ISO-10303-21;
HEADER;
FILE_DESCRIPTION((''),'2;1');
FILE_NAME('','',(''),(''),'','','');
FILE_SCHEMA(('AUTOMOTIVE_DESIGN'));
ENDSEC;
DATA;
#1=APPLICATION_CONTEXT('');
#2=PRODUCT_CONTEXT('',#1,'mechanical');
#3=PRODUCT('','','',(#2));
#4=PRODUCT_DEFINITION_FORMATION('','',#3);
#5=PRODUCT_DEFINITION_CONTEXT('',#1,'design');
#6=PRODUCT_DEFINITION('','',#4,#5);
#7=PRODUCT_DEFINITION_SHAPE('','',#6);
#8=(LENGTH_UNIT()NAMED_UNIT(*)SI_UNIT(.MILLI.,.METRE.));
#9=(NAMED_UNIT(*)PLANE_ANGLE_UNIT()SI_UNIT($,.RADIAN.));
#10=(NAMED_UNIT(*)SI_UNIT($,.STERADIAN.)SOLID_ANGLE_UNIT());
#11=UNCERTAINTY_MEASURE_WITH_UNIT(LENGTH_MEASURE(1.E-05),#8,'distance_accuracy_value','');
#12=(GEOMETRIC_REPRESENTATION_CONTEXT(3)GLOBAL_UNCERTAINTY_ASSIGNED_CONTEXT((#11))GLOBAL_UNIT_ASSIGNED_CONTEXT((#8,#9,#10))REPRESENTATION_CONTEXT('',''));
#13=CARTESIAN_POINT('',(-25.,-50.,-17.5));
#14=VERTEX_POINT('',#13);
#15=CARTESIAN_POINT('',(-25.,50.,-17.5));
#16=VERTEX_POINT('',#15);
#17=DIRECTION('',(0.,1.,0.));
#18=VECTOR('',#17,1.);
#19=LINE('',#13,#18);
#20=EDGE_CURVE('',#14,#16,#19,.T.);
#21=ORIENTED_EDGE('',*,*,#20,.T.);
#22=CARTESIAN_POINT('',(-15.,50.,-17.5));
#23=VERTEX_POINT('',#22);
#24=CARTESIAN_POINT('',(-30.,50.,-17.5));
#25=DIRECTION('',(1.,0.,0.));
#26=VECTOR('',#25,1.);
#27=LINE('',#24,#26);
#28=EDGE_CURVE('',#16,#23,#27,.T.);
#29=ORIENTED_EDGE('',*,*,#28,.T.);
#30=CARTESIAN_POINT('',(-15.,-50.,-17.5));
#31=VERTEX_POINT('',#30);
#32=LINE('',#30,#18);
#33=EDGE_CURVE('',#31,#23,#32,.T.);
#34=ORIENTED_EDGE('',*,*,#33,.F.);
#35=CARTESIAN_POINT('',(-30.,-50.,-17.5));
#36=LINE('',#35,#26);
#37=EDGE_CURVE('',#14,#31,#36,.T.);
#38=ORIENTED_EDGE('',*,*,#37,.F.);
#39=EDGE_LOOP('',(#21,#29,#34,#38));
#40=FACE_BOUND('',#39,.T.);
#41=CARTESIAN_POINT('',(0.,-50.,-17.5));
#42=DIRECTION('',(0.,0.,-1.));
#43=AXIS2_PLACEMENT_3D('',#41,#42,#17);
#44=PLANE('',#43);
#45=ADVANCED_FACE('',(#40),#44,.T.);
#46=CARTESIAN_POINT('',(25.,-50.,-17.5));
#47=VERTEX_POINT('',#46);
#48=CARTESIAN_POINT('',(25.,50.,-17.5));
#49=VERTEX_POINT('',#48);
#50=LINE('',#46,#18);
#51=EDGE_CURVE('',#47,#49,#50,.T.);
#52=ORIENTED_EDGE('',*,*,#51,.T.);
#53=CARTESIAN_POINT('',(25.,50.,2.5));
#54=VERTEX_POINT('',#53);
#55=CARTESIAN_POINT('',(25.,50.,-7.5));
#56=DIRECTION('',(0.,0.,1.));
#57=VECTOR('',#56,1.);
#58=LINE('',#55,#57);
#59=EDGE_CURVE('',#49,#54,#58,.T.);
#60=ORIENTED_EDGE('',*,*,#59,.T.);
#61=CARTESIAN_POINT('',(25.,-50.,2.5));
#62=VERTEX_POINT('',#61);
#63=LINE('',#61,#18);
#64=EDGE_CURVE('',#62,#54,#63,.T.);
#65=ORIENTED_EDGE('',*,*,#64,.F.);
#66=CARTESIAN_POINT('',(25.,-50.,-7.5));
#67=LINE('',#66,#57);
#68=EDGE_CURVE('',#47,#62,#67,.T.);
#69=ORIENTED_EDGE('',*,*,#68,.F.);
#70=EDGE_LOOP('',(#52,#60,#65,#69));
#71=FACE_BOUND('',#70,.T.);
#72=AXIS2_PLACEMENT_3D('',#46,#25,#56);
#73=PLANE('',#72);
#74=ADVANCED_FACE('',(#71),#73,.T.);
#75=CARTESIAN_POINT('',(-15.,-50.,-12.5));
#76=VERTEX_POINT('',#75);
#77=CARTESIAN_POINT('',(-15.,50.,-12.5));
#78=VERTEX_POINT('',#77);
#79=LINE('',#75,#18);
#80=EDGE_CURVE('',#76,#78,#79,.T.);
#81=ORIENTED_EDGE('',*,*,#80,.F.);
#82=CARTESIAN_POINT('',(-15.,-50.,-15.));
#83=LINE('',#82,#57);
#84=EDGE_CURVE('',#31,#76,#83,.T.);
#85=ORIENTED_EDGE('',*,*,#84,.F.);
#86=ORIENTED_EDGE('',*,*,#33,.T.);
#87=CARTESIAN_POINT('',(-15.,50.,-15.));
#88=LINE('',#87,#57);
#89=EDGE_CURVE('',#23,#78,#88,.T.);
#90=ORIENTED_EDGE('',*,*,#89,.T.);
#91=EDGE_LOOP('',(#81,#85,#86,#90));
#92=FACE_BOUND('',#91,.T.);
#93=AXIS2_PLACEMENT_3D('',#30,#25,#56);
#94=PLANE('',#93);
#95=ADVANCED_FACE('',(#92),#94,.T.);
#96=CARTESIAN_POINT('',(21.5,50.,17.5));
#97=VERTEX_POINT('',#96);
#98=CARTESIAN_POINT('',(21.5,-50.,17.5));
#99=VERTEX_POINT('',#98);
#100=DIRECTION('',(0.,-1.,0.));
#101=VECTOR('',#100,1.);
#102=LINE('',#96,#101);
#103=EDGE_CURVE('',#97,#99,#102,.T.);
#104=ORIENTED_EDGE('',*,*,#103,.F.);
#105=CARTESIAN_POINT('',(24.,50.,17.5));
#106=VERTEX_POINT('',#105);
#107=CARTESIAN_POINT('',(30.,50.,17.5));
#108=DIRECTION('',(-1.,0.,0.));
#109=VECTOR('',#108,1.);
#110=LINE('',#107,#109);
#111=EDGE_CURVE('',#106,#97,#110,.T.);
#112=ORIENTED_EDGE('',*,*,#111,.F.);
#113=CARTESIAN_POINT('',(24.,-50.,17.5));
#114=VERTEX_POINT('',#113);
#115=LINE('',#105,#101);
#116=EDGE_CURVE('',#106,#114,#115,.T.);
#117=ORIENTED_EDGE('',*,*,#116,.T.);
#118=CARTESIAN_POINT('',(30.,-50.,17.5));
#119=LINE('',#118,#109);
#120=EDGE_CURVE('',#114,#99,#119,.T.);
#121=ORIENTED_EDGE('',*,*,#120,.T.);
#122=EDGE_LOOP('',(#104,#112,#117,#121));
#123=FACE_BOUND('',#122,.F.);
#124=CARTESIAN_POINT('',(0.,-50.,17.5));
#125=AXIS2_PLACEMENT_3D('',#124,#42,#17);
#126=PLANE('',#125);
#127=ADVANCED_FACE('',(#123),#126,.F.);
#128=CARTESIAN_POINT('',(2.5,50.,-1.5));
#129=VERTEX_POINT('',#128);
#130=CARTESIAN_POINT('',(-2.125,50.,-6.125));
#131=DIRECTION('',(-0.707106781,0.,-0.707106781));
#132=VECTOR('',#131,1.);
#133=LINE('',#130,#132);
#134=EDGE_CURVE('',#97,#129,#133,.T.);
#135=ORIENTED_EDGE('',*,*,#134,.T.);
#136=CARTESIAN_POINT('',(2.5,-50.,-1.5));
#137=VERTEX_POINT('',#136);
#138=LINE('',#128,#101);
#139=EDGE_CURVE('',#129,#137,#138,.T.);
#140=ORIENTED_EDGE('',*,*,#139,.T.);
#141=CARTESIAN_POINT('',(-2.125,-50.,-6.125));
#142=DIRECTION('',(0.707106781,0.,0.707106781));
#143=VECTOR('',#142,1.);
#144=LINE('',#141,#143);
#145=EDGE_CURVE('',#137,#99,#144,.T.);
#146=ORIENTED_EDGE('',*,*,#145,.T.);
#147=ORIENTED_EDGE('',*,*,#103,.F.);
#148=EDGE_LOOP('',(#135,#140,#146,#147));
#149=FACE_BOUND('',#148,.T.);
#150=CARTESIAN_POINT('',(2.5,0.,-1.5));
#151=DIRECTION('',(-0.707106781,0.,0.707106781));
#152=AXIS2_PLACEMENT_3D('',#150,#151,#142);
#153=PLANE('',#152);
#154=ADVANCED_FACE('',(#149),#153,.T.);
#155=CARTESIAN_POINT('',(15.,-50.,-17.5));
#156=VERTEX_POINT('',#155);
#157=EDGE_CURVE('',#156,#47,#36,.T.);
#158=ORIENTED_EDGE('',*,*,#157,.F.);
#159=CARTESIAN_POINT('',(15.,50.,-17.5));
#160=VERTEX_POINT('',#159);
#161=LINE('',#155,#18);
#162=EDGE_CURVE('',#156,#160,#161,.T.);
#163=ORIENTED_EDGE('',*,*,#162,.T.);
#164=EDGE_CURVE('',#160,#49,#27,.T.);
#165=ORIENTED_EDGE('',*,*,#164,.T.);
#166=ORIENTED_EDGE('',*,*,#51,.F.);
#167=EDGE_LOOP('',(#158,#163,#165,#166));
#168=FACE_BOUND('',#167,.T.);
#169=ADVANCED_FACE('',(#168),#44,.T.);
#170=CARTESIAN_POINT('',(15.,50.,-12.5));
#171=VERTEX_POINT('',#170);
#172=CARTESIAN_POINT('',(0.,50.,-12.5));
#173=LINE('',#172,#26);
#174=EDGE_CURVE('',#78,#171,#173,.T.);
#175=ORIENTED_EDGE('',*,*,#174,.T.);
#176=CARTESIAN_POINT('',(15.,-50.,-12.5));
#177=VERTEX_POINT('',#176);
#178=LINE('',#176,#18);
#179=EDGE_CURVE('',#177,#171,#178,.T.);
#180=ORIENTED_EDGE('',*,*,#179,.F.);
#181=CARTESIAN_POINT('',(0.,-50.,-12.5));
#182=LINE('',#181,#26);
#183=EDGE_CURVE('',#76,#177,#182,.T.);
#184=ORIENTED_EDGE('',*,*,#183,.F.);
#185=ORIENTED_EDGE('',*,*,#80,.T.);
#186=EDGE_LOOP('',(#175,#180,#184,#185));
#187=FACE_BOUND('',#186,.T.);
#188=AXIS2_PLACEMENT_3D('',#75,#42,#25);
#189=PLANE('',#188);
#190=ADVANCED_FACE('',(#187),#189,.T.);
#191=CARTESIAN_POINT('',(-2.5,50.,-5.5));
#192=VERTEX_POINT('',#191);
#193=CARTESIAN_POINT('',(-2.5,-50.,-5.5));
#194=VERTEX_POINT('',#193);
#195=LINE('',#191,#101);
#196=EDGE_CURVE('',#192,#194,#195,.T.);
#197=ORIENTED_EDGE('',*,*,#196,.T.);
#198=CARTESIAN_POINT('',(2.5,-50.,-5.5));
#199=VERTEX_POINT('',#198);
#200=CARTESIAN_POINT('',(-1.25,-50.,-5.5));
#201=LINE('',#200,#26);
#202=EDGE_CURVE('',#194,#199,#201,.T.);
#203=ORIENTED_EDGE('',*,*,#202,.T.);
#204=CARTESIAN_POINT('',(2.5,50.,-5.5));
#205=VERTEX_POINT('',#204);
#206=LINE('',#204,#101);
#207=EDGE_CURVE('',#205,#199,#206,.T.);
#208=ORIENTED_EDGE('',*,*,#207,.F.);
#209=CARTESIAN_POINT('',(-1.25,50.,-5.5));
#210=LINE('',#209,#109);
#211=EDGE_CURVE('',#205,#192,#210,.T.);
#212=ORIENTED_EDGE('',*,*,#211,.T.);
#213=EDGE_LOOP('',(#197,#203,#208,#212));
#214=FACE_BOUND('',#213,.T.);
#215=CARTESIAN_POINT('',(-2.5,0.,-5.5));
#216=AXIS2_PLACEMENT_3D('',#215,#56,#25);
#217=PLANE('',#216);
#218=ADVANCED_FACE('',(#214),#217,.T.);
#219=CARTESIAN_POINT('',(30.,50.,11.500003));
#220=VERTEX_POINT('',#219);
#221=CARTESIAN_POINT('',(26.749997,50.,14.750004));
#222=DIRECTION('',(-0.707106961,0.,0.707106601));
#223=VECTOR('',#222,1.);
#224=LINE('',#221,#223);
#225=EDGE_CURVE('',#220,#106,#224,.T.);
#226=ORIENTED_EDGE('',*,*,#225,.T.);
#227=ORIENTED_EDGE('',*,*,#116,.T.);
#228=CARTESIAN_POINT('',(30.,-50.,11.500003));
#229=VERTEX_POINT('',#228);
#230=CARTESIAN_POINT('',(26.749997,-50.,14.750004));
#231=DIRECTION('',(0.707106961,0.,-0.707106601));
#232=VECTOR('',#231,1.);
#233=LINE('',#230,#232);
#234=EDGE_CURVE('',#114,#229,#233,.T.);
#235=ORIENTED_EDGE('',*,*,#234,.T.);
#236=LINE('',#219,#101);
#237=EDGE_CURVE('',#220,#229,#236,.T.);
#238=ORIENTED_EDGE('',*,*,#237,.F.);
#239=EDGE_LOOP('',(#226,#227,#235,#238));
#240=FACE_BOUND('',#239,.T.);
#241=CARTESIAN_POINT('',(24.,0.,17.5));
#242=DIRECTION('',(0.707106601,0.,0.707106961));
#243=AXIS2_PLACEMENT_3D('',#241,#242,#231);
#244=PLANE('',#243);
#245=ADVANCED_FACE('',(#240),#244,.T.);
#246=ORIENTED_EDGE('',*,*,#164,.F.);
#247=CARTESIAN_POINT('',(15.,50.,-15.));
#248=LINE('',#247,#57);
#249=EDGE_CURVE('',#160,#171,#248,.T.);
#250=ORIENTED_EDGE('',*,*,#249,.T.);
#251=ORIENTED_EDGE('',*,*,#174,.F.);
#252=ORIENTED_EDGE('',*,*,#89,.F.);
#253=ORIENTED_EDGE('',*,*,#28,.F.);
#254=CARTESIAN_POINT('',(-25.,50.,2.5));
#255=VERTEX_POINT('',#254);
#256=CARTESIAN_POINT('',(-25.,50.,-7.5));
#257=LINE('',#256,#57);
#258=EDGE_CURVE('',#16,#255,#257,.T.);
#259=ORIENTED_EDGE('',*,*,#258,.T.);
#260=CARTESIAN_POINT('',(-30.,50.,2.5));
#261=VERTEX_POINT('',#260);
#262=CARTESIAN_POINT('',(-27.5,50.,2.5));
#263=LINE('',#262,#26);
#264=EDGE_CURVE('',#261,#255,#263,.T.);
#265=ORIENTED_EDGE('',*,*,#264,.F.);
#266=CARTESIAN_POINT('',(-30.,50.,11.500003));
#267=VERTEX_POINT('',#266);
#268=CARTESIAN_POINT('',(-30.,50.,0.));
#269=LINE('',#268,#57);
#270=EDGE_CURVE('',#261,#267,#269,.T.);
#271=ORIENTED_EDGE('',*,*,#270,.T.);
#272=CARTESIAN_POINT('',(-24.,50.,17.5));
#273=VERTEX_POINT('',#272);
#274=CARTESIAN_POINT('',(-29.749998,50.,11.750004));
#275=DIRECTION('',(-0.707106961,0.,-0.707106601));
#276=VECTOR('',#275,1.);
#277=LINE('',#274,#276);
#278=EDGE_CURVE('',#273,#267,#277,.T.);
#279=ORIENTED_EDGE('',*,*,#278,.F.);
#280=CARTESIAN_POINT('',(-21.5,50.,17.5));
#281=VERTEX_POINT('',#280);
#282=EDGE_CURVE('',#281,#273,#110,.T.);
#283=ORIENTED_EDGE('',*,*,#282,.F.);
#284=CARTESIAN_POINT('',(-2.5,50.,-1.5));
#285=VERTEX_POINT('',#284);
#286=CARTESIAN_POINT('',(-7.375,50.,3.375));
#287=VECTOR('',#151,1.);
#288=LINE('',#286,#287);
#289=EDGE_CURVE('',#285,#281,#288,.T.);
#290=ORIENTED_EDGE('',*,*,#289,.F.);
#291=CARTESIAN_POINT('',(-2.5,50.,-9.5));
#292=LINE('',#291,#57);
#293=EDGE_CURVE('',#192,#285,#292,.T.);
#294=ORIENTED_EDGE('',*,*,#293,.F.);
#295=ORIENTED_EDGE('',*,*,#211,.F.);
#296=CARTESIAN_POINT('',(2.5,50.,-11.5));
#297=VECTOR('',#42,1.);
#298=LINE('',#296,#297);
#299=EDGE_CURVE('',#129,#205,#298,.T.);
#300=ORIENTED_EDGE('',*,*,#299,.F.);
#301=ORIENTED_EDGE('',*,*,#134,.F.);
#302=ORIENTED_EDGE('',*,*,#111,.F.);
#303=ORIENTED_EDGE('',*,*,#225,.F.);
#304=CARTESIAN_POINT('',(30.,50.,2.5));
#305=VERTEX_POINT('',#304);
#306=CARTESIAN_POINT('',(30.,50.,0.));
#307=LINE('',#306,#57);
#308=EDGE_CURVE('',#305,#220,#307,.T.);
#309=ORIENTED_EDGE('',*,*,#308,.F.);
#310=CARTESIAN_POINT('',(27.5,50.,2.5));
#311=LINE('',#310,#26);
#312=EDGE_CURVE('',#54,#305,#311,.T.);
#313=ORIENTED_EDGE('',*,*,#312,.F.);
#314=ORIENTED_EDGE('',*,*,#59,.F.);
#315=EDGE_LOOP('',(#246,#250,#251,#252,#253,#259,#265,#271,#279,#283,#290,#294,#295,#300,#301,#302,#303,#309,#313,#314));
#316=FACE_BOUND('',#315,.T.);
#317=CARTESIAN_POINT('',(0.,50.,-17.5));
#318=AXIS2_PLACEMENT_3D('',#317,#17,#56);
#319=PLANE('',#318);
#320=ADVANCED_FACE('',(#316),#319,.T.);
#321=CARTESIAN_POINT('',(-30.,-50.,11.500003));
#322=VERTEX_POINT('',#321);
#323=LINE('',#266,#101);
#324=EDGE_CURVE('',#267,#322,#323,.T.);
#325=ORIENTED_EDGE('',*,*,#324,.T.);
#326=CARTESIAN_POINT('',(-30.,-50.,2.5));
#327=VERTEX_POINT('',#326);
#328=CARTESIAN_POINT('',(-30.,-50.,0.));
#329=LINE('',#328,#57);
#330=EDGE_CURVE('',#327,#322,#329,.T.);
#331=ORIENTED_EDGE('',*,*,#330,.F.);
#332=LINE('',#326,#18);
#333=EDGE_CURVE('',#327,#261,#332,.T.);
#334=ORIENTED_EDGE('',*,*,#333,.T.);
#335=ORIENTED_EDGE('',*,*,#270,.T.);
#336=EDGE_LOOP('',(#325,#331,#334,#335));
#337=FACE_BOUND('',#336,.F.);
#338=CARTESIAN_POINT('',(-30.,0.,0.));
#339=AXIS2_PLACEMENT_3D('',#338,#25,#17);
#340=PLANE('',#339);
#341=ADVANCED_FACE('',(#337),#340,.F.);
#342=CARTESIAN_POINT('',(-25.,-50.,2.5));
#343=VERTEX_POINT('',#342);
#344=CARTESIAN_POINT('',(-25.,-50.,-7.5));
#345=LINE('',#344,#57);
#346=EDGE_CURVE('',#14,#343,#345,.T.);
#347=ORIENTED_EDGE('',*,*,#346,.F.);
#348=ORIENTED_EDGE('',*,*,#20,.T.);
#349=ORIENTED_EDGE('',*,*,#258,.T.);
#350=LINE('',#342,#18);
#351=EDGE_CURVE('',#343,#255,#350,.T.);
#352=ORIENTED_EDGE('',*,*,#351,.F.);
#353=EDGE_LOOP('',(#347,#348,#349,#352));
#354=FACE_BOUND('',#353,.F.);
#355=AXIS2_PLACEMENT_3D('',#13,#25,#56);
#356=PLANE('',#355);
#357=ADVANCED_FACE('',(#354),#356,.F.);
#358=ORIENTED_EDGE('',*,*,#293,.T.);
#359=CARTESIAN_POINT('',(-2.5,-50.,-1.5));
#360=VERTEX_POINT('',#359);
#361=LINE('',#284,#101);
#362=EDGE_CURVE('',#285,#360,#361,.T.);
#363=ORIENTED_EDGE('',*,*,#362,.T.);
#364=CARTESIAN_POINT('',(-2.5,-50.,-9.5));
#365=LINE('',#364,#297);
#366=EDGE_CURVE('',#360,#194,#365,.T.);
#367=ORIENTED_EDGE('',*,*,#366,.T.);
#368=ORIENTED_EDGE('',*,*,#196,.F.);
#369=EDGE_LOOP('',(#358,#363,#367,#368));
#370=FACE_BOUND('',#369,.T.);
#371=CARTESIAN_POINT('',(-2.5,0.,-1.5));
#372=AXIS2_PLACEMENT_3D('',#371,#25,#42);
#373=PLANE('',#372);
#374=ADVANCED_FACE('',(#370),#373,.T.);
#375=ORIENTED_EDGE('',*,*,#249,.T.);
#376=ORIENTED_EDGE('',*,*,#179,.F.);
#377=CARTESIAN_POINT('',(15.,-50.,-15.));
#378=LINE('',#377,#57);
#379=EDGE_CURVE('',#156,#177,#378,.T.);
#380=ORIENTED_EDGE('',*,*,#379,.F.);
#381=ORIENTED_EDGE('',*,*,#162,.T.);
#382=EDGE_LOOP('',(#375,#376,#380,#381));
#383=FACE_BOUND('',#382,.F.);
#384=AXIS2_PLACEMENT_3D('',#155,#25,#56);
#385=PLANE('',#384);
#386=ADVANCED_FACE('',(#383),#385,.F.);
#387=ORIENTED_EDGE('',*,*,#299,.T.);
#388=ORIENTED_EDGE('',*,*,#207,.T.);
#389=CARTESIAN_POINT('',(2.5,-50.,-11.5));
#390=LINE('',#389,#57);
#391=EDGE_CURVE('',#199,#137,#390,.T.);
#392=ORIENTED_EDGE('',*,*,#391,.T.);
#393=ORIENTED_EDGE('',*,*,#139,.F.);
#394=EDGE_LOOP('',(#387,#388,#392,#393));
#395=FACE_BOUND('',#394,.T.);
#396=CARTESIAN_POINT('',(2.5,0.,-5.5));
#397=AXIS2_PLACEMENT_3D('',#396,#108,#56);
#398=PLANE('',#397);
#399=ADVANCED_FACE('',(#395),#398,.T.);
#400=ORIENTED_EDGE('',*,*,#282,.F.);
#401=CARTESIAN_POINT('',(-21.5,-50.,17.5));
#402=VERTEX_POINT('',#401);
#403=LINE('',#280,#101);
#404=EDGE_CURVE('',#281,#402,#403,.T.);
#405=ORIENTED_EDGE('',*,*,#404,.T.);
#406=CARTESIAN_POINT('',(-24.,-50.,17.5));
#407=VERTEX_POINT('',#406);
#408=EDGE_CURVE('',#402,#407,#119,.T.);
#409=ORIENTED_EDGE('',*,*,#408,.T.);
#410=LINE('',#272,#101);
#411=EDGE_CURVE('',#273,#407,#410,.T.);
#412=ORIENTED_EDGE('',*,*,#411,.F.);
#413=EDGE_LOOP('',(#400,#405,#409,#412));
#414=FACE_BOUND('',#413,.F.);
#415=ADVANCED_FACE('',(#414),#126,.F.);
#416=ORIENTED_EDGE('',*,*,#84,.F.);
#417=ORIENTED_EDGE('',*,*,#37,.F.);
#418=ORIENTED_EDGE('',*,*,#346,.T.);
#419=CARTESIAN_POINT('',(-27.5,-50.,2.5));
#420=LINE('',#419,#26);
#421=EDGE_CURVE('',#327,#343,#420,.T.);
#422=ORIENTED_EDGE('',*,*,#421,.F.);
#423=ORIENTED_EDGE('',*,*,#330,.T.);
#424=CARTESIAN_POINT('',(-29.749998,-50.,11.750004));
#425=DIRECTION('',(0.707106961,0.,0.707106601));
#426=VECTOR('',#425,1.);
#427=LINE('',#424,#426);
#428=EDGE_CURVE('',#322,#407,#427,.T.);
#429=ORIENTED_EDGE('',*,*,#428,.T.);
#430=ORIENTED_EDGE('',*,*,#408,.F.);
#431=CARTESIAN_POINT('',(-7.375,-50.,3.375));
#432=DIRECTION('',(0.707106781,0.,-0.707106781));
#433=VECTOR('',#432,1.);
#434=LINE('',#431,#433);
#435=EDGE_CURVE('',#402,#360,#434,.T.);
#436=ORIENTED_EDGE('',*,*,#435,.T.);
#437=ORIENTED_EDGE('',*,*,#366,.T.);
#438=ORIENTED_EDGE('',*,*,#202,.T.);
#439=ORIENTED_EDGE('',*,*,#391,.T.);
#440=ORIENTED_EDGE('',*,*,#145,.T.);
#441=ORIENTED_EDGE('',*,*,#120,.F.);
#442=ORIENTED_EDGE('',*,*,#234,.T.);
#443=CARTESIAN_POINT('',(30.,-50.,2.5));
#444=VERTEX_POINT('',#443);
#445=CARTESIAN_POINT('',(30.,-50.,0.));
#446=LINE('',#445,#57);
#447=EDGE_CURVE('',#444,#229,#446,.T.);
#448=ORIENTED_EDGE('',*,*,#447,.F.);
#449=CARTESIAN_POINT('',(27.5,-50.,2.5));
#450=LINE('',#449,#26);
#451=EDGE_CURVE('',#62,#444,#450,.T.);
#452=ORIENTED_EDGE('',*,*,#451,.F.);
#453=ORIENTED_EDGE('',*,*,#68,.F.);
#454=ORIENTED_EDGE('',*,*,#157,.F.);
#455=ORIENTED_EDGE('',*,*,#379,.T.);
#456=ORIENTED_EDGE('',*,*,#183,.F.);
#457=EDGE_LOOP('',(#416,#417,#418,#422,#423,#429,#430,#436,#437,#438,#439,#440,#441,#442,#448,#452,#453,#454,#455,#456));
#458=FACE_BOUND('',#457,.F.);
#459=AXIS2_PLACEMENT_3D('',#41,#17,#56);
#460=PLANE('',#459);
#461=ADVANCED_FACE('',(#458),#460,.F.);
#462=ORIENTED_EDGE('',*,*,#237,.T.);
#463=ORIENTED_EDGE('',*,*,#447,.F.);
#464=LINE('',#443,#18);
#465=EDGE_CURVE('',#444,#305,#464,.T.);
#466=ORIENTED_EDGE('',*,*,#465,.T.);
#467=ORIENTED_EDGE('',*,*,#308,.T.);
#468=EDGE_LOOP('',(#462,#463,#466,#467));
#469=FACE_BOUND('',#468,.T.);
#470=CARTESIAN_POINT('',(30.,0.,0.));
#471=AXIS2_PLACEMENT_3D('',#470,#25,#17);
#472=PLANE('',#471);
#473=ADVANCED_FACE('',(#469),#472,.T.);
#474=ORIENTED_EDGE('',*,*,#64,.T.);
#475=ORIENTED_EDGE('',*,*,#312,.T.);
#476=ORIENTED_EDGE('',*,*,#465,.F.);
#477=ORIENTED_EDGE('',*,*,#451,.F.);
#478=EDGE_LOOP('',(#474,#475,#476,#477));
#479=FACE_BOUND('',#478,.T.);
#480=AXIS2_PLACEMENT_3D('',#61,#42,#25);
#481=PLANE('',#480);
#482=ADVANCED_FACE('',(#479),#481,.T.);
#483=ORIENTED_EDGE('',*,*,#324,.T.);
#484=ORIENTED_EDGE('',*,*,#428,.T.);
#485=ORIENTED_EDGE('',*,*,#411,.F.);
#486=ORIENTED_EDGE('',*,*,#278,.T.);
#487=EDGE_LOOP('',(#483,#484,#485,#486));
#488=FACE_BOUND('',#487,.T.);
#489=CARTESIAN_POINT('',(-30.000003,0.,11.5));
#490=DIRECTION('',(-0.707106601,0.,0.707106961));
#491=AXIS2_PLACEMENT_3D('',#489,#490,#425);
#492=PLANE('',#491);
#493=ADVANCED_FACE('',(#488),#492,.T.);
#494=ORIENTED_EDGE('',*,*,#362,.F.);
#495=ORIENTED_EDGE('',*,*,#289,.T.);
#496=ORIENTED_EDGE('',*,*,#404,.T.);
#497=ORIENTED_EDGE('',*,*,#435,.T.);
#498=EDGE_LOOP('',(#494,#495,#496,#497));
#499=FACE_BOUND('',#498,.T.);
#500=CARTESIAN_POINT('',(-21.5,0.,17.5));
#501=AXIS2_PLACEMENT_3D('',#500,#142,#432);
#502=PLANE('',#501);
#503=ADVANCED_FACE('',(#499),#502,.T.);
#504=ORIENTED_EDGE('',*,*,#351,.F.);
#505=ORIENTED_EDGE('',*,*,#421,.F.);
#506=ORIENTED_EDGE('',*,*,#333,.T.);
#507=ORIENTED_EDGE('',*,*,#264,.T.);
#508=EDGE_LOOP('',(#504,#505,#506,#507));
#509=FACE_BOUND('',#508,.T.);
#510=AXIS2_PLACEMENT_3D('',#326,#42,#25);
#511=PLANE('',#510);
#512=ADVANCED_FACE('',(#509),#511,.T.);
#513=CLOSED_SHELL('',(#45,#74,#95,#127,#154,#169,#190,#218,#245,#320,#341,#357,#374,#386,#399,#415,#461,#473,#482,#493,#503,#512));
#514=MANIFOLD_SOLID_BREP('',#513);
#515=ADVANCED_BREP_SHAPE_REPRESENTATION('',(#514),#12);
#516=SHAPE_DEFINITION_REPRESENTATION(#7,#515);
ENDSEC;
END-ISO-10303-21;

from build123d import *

# Parameters (mm, degrees)
F0_W          = 100
F0_H          = 35
F1_DEPTH      = 30
F2_W          = 5
F2_H          = 20
F2_W_2        = 30
F2_H_2        = 5
F3_DEPTH      = 100
F5_DEPTH      = 100
F5_DEPTH_BACK = 74.2
F7_DEPTH      = 100
F7_DEPTH_BACK = 100.7


with BuildPart() as f1:
    # F0 (on Right) → F1 (new body, symmetric)
    with BuildSketch(Plane.YZ):
        Rectangle(F0_W, F0_H)
    extrude(amount=F1_DEPTH, both=True)

    # F2 (on face) → F3 (cut)
    with BuildSketch(Plane.XZ.offset(50)):
        with Locations((-27.5, -7.5)):
            Rectangle(F2_W, F2_H)
        with Locations((0, -15)):
            Rectangle(F2_W_2, F2_H_2)
        with Locations((27.5, -7.5)):
            Rectangle(F2_W, F2_H)
    extrude(amount=-F3_DEPTH, mode=Mode.SUBTRACT)

    # F4 (on Front) → F5 (cut, two sides)
    with BuildSketch(Plane.XZ) as f5_sk:
        Polygon((30.0000030547, 11.5), (30.0000030547, 17.5), (24, 17.5), align=None)
        Polygon((-30.0000030547, 11.5), (-24, 17.5), (-30.0000030547, 17.5), align=None)
    extrude(amount=-F5_DEPTH, mode=Mode.SUBTRACT)
    extrude(f5_sk.sketch, amount=F5_DEPTH_BACK, mode=Mode.SUBTRACT)

    # F6 (on Front) → F7 (cut, two sides)
    with BuildSketch(Plane.XZ) as f7_sk:
        Polygon((2.5, -5.5), (2.5, -1.5), (21.5, 17.5), (-21.5, 17.5), (-2.5, -1.5), (-2.5, -5.5), align=None)
    extrude(amount=-F7_DEPTH, mode=Mode.SUBTRACT)
    extrude(f7_sk.sketch, amount=F7_DEPTH_BACK, mode=Mode.SUBTRACT)


solid = f1.part
